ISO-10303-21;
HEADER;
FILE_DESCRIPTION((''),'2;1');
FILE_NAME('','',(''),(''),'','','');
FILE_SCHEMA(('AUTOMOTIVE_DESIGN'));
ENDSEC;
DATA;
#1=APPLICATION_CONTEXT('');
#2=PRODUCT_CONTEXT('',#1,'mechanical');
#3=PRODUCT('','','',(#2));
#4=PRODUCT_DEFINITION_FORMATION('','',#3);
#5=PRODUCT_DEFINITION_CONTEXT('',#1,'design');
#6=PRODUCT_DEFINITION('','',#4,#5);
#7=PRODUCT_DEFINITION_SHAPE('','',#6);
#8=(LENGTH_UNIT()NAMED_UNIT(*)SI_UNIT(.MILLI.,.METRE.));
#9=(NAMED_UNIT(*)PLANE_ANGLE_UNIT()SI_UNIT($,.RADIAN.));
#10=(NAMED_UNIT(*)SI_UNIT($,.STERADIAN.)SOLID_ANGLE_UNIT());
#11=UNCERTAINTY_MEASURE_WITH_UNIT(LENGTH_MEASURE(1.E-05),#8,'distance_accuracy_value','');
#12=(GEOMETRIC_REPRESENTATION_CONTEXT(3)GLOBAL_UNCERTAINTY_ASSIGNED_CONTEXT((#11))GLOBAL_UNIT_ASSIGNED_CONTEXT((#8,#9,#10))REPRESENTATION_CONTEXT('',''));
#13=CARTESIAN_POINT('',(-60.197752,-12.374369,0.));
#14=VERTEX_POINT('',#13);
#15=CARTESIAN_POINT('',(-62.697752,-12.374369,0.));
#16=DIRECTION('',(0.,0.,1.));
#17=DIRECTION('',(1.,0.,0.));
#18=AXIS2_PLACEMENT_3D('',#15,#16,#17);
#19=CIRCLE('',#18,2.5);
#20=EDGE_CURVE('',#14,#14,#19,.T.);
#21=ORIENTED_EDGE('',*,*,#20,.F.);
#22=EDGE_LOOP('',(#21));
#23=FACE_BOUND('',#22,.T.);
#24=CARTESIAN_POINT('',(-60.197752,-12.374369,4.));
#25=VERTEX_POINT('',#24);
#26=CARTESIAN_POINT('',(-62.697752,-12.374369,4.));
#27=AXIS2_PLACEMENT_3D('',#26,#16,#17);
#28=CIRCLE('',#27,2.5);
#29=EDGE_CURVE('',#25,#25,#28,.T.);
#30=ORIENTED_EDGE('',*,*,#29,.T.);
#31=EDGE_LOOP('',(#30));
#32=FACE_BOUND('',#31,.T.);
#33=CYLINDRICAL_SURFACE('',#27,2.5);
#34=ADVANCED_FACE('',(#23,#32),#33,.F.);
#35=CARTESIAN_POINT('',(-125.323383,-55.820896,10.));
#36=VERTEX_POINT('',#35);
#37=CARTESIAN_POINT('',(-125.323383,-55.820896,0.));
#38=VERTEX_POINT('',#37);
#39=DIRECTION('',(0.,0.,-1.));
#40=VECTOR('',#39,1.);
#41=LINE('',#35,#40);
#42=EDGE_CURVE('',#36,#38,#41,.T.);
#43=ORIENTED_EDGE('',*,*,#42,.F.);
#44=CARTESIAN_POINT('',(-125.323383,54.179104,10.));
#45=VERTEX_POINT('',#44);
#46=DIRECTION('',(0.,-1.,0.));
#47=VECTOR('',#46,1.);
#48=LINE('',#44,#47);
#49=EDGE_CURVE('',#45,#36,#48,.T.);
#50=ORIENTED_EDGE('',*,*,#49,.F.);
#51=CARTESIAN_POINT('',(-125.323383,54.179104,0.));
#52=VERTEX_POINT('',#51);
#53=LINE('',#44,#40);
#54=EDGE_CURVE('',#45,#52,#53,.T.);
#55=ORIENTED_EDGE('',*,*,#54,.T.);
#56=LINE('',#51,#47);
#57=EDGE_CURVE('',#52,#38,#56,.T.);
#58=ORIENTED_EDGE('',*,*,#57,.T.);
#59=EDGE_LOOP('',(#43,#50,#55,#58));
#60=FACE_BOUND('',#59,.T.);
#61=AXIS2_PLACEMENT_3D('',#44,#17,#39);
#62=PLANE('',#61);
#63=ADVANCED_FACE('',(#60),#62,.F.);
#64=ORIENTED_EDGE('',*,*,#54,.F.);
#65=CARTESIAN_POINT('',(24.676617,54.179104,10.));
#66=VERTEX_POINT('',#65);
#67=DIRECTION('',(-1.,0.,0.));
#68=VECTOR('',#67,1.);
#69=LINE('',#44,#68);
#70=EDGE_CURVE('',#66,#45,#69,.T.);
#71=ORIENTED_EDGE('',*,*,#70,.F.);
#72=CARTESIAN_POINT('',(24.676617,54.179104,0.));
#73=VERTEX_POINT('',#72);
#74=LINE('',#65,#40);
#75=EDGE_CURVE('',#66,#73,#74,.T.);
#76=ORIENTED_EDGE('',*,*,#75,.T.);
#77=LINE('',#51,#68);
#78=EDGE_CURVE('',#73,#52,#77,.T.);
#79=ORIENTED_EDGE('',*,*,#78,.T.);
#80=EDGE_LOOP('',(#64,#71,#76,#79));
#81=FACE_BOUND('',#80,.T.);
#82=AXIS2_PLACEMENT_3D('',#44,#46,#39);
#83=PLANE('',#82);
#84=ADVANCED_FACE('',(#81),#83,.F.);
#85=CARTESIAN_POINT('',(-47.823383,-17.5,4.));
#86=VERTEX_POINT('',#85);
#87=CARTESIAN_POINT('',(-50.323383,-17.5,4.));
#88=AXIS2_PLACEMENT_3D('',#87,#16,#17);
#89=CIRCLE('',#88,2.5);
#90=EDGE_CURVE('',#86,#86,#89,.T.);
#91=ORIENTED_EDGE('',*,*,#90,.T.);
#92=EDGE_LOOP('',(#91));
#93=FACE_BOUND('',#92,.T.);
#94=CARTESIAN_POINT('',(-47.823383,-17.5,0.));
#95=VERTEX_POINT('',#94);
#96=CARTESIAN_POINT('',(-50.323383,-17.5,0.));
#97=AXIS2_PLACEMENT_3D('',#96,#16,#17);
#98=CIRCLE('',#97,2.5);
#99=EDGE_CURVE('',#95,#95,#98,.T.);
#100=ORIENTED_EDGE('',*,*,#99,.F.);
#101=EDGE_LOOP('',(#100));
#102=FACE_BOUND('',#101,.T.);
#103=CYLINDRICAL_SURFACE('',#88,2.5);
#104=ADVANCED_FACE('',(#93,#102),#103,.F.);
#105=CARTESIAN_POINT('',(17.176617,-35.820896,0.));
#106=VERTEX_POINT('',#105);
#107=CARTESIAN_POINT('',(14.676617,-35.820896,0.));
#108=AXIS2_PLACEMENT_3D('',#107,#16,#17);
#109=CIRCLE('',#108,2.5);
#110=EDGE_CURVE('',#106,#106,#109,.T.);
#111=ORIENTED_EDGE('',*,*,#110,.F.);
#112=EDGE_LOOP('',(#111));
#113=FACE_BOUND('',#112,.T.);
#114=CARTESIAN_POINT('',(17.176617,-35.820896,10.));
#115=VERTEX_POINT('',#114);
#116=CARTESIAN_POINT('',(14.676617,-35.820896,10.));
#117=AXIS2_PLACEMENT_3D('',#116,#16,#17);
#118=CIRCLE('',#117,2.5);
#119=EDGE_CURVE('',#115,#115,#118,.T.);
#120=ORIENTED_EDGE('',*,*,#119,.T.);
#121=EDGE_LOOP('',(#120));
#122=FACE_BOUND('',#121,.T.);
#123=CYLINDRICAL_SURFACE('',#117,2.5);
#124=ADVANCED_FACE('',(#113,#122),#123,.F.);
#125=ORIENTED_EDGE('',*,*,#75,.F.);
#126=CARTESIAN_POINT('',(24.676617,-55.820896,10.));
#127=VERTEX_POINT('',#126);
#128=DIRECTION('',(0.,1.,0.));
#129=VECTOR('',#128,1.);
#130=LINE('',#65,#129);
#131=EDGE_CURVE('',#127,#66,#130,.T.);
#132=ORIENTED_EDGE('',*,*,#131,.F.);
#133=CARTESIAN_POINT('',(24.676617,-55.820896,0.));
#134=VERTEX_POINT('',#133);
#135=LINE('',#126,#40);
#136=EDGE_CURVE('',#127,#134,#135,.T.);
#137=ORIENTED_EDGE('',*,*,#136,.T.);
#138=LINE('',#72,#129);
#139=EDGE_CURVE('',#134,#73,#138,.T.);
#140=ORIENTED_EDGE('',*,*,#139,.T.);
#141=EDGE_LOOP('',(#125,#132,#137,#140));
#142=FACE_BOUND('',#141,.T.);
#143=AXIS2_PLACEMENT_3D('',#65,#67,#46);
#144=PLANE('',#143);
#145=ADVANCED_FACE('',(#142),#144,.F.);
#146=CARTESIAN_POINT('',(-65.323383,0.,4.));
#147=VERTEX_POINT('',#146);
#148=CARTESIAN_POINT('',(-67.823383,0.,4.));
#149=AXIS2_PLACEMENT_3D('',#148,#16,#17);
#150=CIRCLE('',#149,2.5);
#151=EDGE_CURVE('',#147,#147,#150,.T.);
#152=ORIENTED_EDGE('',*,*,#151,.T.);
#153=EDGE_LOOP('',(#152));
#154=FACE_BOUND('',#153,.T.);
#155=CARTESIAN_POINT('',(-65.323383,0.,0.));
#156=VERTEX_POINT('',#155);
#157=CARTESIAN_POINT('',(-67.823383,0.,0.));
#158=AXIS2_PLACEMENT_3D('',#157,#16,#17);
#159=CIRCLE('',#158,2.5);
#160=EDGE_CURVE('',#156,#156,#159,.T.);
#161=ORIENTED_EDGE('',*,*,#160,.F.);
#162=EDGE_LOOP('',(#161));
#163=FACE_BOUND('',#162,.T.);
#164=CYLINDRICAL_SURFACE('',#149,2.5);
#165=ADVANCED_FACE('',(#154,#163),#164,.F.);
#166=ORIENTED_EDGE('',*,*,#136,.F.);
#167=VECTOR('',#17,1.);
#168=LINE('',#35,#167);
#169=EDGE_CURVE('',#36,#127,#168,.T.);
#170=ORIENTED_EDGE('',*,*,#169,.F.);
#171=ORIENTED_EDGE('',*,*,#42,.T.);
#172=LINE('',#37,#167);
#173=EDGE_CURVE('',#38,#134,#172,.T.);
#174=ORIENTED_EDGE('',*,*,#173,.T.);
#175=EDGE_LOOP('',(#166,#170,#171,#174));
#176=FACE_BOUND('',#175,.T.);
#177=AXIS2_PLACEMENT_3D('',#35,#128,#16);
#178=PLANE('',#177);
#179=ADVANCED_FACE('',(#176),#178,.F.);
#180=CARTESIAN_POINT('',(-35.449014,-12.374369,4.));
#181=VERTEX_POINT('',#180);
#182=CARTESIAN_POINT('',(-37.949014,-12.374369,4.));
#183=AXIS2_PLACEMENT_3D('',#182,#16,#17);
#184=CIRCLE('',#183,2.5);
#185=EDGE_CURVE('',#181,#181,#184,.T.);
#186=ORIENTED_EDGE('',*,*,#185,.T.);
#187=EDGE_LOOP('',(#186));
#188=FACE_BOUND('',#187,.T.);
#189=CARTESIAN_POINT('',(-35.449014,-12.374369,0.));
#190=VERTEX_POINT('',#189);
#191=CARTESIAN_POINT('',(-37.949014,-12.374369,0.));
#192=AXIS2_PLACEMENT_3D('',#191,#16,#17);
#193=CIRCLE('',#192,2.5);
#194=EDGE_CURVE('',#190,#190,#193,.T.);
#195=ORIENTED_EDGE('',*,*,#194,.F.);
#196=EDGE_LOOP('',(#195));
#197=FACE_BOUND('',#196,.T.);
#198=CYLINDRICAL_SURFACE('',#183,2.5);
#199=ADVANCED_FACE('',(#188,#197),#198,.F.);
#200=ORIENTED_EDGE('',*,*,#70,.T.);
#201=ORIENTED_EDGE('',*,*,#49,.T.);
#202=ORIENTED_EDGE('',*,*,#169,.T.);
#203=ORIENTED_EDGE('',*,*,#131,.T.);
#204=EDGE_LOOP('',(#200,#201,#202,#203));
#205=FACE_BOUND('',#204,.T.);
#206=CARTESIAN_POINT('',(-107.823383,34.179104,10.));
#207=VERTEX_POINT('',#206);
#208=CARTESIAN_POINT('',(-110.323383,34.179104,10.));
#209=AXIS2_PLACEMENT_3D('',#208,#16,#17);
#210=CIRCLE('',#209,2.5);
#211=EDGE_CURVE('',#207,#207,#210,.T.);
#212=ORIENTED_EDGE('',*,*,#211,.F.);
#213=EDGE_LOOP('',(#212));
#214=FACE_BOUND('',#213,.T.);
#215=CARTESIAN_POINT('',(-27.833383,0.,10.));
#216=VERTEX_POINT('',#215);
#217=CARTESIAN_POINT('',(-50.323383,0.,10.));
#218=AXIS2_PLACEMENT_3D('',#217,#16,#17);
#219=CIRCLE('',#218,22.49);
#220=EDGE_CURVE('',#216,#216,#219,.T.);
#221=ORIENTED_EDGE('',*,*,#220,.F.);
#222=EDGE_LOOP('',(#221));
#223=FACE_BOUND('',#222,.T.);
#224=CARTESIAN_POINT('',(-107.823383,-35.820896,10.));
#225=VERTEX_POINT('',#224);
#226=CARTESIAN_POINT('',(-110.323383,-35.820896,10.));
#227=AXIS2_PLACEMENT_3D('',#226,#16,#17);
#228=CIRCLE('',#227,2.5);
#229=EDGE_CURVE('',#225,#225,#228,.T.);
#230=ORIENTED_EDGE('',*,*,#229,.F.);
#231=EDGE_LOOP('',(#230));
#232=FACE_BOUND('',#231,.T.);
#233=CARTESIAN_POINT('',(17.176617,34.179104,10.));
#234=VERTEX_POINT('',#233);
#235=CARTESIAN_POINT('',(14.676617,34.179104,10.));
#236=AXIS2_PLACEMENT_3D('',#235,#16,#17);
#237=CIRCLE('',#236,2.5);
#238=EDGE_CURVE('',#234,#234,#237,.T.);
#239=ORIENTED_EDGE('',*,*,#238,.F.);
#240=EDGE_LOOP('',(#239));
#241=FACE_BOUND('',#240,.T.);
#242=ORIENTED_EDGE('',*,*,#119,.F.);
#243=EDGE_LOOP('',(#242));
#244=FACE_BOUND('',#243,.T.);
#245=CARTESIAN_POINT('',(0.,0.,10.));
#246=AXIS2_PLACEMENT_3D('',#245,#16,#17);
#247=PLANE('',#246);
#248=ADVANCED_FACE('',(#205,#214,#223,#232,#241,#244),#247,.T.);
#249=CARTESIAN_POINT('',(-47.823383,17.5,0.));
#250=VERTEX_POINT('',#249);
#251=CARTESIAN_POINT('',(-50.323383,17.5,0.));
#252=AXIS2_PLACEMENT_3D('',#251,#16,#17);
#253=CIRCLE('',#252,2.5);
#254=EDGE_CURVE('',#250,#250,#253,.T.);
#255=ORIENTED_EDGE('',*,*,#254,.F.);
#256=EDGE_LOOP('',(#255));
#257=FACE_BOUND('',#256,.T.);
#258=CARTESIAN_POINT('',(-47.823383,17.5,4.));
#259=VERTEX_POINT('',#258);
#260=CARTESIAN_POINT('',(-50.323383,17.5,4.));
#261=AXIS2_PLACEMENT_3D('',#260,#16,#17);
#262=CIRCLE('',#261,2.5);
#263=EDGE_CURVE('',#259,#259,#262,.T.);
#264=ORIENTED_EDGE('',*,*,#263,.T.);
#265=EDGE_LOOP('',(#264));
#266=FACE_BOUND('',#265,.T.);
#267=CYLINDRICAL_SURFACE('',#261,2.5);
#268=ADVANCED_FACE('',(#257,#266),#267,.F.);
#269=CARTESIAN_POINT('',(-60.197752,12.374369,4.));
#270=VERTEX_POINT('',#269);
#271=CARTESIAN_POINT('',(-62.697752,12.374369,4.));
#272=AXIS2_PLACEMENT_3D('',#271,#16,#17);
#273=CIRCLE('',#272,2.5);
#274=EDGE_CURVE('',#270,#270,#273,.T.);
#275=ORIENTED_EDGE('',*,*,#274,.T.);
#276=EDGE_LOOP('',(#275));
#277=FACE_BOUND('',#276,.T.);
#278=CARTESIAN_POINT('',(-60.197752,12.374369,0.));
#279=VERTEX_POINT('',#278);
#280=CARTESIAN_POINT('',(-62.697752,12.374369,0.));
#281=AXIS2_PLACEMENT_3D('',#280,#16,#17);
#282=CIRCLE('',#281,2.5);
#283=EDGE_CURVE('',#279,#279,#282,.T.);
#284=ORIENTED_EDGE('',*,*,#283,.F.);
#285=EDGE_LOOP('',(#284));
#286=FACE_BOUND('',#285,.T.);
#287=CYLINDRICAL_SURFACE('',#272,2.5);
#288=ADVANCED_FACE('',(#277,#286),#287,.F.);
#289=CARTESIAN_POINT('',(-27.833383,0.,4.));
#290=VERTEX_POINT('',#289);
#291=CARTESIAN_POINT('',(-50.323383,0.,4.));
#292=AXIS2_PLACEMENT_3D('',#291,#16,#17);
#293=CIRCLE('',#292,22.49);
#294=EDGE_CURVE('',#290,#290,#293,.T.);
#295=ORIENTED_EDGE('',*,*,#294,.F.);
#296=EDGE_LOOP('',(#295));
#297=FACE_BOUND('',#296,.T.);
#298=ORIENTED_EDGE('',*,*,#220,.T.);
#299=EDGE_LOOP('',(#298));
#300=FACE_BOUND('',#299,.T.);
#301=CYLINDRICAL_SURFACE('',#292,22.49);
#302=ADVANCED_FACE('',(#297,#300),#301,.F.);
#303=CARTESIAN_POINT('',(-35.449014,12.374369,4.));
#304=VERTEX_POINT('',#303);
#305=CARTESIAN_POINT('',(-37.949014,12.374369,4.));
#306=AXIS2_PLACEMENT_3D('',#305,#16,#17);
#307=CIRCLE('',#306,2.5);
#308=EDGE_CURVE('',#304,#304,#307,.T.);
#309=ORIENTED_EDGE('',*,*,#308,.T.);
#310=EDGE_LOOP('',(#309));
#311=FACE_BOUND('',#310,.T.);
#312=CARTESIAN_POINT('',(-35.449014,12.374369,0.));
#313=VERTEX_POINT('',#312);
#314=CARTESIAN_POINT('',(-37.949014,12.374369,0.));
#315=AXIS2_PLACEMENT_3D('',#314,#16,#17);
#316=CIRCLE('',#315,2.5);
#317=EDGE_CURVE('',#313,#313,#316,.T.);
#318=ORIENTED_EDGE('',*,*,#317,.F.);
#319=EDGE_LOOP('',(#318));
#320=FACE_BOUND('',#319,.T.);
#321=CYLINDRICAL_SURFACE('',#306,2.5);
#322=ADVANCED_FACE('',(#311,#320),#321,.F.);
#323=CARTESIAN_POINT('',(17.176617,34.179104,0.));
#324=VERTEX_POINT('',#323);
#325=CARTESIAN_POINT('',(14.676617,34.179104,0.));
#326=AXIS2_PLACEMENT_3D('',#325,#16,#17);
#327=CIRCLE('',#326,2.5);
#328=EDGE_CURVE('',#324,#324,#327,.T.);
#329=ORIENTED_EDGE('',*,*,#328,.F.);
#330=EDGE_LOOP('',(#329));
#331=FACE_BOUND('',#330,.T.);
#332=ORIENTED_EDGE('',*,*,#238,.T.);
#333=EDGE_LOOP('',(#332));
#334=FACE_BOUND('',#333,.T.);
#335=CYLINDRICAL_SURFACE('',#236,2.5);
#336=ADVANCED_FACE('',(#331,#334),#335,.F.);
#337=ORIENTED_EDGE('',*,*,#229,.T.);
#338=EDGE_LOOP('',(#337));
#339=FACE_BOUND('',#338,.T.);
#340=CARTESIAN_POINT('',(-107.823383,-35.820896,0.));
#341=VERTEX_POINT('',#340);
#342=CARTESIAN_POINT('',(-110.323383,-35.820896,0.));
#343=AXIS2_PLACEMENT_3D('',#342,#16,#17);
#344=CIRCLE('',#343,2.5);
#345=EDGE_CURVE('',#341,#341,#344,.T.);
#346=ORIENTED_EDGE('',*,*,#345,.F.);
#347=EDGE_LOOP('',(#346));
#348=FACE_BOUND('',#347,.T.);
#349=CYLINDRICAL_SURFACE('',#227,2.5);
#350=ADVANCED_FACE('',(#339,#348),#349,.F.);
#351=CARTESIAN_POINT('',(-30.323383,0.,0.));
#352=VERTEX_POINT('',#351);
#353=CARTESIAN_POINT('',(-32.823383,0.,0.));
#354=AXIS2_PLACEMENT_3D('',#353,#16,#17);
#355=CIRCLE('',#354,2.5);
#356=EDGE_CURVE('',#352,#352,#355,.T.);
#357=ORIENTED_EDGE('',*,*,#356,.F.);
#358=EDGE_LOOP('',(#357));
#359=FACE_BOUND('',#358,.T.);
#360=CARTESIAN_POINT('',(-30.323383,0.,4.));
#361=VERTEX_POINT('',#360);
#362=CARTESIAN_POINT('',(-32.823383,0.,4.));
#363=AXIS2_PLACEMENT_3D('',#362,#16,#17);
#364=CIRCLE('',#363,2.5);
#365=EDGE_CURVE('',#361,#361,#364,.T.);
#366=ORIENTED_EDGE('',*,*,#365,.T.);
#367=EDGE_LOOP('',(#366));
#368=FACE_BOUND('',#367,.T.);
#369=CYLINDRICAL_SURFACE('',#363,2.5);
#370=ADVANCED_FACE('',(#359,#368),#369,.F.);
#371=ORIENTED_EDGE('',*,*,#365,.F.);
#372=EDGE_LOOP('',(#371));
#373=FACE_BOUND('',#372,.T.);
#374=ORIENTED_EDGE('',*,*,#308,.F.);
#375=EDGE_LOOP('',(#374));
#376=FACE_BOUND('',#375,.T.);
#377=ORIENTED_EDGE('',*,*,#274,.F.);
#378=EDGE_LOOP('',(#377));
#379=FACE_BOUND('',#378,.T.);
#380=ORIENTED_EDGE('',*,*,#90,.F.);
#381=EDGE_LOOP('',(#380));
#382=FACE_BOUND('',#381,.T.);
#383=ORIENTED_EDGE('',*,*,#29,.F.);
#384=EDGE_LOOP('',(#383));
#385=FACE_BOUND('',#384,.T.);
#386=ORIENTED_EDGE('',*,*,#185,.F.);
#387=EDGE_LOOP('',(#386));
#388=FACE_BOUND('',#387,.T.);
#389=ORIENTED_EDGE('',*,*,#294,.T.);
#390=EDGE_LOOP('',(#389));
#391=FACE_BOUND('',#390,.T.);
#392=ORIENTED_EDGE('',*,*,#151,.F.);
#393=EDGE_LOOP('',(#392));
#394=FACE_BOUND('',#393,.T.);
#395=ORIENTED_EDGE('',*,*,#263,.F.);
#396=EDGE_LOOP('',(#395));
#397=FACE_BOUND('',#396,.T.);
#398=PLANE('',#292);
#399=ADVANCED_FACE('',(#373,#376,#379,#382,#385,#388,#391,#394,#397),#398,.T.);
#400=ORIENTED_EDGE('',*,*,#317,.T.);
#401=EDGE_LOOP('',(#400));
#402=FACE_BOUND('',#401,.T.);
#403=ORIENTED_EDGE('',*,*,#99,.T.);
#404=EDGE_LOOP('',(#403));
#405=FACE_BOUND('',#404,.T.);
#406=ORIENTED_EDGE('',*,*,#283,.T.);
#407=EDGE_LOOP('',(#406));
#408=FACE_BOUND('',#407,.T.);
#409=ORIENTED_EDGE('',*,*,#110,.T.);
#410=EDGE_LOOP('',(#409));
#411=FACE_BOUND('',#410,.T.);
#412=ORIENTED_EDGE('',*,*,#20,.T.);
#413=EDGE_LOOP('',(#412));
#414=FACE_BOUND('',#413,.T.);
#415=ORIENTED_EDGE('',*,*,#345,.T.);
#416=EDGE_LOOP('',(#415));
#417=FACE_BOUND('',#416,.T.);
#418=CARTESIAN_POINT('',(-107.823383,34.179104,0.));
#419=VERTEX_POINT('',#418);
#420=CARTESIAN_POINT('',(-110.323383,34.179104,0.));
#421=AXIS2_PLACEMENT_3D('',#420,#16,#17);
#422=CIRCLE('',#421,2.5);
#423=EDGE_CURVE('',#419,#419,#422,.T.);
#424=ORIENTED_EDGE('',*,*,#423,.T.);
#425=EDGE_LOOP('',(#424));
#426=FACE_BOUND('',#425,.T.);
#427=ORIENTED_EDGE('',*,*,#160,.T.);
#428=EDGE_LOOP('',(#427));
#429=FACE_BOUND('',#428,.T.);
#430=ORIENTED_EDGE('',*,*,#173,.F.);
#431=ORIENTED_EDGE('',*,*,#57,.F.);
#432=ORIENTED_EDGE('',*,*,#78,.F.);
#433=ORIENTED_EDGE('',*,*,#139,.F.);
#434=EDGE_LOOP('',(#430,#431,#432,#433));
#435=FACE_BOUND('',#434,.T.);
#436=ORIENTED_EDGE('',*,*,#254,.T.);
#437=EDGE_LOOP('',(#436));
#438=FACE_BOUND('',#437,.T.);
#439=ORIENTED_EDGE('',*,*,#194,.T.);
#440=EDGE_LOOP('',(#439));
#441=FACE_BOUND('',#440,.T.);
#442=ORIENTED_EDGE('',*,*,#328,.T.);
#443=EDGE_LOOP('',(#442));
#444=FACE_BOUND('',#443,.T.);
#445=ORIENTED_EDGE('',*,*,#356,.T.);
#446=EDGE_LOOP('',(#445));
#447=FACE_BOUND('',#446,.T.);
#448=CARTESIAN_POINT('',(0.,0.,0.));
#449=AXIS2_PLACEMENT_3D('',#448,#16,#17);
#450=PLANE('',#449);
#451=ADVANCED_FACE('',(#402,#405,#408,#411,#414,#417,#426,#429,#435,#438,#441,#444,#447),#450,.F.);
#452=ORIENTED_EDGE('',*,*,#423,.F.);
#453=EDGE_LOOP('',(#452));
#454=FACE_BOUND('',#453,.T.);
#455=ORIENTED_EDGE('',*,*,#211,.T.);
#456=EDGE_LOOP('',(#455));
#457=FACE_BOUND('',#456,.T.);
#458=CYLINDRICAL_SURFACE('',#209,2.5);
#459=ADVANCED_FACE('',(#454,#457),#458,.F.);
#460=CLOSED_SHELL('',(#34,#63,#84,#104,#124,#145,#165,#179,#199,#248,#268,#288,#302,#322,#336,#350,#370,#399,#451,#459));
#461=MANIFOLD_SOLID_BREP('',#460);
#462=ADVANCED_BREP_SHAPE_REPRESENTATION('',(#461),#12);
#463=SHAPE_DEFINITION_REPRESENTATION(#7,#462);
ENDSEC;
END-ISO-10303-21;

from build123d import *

# Parameters (mm, degrees)
SKETCH1_W             = 150
SKETCH1_H             = 110
BOSS_EXTRUDE2_DEPTH   = 10
SKETCH2_R             = 22.49
CUT_EXTRUDE1_DEPTH    = 6
F_5_0MM_DOWEL_HOLE1_D = 5
F_5_0MM_DOWEL_HOLE2_D = 5


with BuildPart() as part:
    # Sketch1 → Boss-Extrude2 (new body)
    with BuildSketch(Plane.XY):
        with Locations((-50.323383085, -0.820895522)):
            Rectangle(SKETCH1_W, SKETCH1_H)
    extrude(amount=BOSS_EXTRUDE2_DEPTH)

    # Sketch2 → Cut-Extrude1 (cut)
    with BuildSketch(Plane.XY.offset(10)):
        with Locations((-50.323383085, 0)):
            Circle(SKETCH2_R)
    extrude(amount=-CUT_EXTRUDE1_DEPTH, mode=Mode.SUBTRACT)

    # Ø5.0mm Dowel Hole1 (through all)
    with Locations(Plane(origin=(-50.323383085, 17.5, 4), x_dir=(1, 0, 0), z_dir=(0, 0, 1))):
        with Locations((0, 0), (-12.37436867, -5.125631329), (-17.5, -17.5), (-12.37436867, -29.874368671), (0, -35), (12.374368671, -29.874368671), (17.5, -17.5), (12.374368671, -5.125631329)):
            Hole(F_5_0MM_DOWEL_HOLE1_D / 2)

    # Ø5.0mm Dowel Hole2 (through all)
    with Locations(Plane(origin=(-110.323383085, 34.179104478, 10), x_dir=(1, 0, 0), z_dir=(0, 0, 1))):
        with Locations((0, 0), (125, 0), (125, -70), (0, -70)):
            Hole(F_5_0MM_DOWEL_HOLE2_D / 2)


solid = part.part
